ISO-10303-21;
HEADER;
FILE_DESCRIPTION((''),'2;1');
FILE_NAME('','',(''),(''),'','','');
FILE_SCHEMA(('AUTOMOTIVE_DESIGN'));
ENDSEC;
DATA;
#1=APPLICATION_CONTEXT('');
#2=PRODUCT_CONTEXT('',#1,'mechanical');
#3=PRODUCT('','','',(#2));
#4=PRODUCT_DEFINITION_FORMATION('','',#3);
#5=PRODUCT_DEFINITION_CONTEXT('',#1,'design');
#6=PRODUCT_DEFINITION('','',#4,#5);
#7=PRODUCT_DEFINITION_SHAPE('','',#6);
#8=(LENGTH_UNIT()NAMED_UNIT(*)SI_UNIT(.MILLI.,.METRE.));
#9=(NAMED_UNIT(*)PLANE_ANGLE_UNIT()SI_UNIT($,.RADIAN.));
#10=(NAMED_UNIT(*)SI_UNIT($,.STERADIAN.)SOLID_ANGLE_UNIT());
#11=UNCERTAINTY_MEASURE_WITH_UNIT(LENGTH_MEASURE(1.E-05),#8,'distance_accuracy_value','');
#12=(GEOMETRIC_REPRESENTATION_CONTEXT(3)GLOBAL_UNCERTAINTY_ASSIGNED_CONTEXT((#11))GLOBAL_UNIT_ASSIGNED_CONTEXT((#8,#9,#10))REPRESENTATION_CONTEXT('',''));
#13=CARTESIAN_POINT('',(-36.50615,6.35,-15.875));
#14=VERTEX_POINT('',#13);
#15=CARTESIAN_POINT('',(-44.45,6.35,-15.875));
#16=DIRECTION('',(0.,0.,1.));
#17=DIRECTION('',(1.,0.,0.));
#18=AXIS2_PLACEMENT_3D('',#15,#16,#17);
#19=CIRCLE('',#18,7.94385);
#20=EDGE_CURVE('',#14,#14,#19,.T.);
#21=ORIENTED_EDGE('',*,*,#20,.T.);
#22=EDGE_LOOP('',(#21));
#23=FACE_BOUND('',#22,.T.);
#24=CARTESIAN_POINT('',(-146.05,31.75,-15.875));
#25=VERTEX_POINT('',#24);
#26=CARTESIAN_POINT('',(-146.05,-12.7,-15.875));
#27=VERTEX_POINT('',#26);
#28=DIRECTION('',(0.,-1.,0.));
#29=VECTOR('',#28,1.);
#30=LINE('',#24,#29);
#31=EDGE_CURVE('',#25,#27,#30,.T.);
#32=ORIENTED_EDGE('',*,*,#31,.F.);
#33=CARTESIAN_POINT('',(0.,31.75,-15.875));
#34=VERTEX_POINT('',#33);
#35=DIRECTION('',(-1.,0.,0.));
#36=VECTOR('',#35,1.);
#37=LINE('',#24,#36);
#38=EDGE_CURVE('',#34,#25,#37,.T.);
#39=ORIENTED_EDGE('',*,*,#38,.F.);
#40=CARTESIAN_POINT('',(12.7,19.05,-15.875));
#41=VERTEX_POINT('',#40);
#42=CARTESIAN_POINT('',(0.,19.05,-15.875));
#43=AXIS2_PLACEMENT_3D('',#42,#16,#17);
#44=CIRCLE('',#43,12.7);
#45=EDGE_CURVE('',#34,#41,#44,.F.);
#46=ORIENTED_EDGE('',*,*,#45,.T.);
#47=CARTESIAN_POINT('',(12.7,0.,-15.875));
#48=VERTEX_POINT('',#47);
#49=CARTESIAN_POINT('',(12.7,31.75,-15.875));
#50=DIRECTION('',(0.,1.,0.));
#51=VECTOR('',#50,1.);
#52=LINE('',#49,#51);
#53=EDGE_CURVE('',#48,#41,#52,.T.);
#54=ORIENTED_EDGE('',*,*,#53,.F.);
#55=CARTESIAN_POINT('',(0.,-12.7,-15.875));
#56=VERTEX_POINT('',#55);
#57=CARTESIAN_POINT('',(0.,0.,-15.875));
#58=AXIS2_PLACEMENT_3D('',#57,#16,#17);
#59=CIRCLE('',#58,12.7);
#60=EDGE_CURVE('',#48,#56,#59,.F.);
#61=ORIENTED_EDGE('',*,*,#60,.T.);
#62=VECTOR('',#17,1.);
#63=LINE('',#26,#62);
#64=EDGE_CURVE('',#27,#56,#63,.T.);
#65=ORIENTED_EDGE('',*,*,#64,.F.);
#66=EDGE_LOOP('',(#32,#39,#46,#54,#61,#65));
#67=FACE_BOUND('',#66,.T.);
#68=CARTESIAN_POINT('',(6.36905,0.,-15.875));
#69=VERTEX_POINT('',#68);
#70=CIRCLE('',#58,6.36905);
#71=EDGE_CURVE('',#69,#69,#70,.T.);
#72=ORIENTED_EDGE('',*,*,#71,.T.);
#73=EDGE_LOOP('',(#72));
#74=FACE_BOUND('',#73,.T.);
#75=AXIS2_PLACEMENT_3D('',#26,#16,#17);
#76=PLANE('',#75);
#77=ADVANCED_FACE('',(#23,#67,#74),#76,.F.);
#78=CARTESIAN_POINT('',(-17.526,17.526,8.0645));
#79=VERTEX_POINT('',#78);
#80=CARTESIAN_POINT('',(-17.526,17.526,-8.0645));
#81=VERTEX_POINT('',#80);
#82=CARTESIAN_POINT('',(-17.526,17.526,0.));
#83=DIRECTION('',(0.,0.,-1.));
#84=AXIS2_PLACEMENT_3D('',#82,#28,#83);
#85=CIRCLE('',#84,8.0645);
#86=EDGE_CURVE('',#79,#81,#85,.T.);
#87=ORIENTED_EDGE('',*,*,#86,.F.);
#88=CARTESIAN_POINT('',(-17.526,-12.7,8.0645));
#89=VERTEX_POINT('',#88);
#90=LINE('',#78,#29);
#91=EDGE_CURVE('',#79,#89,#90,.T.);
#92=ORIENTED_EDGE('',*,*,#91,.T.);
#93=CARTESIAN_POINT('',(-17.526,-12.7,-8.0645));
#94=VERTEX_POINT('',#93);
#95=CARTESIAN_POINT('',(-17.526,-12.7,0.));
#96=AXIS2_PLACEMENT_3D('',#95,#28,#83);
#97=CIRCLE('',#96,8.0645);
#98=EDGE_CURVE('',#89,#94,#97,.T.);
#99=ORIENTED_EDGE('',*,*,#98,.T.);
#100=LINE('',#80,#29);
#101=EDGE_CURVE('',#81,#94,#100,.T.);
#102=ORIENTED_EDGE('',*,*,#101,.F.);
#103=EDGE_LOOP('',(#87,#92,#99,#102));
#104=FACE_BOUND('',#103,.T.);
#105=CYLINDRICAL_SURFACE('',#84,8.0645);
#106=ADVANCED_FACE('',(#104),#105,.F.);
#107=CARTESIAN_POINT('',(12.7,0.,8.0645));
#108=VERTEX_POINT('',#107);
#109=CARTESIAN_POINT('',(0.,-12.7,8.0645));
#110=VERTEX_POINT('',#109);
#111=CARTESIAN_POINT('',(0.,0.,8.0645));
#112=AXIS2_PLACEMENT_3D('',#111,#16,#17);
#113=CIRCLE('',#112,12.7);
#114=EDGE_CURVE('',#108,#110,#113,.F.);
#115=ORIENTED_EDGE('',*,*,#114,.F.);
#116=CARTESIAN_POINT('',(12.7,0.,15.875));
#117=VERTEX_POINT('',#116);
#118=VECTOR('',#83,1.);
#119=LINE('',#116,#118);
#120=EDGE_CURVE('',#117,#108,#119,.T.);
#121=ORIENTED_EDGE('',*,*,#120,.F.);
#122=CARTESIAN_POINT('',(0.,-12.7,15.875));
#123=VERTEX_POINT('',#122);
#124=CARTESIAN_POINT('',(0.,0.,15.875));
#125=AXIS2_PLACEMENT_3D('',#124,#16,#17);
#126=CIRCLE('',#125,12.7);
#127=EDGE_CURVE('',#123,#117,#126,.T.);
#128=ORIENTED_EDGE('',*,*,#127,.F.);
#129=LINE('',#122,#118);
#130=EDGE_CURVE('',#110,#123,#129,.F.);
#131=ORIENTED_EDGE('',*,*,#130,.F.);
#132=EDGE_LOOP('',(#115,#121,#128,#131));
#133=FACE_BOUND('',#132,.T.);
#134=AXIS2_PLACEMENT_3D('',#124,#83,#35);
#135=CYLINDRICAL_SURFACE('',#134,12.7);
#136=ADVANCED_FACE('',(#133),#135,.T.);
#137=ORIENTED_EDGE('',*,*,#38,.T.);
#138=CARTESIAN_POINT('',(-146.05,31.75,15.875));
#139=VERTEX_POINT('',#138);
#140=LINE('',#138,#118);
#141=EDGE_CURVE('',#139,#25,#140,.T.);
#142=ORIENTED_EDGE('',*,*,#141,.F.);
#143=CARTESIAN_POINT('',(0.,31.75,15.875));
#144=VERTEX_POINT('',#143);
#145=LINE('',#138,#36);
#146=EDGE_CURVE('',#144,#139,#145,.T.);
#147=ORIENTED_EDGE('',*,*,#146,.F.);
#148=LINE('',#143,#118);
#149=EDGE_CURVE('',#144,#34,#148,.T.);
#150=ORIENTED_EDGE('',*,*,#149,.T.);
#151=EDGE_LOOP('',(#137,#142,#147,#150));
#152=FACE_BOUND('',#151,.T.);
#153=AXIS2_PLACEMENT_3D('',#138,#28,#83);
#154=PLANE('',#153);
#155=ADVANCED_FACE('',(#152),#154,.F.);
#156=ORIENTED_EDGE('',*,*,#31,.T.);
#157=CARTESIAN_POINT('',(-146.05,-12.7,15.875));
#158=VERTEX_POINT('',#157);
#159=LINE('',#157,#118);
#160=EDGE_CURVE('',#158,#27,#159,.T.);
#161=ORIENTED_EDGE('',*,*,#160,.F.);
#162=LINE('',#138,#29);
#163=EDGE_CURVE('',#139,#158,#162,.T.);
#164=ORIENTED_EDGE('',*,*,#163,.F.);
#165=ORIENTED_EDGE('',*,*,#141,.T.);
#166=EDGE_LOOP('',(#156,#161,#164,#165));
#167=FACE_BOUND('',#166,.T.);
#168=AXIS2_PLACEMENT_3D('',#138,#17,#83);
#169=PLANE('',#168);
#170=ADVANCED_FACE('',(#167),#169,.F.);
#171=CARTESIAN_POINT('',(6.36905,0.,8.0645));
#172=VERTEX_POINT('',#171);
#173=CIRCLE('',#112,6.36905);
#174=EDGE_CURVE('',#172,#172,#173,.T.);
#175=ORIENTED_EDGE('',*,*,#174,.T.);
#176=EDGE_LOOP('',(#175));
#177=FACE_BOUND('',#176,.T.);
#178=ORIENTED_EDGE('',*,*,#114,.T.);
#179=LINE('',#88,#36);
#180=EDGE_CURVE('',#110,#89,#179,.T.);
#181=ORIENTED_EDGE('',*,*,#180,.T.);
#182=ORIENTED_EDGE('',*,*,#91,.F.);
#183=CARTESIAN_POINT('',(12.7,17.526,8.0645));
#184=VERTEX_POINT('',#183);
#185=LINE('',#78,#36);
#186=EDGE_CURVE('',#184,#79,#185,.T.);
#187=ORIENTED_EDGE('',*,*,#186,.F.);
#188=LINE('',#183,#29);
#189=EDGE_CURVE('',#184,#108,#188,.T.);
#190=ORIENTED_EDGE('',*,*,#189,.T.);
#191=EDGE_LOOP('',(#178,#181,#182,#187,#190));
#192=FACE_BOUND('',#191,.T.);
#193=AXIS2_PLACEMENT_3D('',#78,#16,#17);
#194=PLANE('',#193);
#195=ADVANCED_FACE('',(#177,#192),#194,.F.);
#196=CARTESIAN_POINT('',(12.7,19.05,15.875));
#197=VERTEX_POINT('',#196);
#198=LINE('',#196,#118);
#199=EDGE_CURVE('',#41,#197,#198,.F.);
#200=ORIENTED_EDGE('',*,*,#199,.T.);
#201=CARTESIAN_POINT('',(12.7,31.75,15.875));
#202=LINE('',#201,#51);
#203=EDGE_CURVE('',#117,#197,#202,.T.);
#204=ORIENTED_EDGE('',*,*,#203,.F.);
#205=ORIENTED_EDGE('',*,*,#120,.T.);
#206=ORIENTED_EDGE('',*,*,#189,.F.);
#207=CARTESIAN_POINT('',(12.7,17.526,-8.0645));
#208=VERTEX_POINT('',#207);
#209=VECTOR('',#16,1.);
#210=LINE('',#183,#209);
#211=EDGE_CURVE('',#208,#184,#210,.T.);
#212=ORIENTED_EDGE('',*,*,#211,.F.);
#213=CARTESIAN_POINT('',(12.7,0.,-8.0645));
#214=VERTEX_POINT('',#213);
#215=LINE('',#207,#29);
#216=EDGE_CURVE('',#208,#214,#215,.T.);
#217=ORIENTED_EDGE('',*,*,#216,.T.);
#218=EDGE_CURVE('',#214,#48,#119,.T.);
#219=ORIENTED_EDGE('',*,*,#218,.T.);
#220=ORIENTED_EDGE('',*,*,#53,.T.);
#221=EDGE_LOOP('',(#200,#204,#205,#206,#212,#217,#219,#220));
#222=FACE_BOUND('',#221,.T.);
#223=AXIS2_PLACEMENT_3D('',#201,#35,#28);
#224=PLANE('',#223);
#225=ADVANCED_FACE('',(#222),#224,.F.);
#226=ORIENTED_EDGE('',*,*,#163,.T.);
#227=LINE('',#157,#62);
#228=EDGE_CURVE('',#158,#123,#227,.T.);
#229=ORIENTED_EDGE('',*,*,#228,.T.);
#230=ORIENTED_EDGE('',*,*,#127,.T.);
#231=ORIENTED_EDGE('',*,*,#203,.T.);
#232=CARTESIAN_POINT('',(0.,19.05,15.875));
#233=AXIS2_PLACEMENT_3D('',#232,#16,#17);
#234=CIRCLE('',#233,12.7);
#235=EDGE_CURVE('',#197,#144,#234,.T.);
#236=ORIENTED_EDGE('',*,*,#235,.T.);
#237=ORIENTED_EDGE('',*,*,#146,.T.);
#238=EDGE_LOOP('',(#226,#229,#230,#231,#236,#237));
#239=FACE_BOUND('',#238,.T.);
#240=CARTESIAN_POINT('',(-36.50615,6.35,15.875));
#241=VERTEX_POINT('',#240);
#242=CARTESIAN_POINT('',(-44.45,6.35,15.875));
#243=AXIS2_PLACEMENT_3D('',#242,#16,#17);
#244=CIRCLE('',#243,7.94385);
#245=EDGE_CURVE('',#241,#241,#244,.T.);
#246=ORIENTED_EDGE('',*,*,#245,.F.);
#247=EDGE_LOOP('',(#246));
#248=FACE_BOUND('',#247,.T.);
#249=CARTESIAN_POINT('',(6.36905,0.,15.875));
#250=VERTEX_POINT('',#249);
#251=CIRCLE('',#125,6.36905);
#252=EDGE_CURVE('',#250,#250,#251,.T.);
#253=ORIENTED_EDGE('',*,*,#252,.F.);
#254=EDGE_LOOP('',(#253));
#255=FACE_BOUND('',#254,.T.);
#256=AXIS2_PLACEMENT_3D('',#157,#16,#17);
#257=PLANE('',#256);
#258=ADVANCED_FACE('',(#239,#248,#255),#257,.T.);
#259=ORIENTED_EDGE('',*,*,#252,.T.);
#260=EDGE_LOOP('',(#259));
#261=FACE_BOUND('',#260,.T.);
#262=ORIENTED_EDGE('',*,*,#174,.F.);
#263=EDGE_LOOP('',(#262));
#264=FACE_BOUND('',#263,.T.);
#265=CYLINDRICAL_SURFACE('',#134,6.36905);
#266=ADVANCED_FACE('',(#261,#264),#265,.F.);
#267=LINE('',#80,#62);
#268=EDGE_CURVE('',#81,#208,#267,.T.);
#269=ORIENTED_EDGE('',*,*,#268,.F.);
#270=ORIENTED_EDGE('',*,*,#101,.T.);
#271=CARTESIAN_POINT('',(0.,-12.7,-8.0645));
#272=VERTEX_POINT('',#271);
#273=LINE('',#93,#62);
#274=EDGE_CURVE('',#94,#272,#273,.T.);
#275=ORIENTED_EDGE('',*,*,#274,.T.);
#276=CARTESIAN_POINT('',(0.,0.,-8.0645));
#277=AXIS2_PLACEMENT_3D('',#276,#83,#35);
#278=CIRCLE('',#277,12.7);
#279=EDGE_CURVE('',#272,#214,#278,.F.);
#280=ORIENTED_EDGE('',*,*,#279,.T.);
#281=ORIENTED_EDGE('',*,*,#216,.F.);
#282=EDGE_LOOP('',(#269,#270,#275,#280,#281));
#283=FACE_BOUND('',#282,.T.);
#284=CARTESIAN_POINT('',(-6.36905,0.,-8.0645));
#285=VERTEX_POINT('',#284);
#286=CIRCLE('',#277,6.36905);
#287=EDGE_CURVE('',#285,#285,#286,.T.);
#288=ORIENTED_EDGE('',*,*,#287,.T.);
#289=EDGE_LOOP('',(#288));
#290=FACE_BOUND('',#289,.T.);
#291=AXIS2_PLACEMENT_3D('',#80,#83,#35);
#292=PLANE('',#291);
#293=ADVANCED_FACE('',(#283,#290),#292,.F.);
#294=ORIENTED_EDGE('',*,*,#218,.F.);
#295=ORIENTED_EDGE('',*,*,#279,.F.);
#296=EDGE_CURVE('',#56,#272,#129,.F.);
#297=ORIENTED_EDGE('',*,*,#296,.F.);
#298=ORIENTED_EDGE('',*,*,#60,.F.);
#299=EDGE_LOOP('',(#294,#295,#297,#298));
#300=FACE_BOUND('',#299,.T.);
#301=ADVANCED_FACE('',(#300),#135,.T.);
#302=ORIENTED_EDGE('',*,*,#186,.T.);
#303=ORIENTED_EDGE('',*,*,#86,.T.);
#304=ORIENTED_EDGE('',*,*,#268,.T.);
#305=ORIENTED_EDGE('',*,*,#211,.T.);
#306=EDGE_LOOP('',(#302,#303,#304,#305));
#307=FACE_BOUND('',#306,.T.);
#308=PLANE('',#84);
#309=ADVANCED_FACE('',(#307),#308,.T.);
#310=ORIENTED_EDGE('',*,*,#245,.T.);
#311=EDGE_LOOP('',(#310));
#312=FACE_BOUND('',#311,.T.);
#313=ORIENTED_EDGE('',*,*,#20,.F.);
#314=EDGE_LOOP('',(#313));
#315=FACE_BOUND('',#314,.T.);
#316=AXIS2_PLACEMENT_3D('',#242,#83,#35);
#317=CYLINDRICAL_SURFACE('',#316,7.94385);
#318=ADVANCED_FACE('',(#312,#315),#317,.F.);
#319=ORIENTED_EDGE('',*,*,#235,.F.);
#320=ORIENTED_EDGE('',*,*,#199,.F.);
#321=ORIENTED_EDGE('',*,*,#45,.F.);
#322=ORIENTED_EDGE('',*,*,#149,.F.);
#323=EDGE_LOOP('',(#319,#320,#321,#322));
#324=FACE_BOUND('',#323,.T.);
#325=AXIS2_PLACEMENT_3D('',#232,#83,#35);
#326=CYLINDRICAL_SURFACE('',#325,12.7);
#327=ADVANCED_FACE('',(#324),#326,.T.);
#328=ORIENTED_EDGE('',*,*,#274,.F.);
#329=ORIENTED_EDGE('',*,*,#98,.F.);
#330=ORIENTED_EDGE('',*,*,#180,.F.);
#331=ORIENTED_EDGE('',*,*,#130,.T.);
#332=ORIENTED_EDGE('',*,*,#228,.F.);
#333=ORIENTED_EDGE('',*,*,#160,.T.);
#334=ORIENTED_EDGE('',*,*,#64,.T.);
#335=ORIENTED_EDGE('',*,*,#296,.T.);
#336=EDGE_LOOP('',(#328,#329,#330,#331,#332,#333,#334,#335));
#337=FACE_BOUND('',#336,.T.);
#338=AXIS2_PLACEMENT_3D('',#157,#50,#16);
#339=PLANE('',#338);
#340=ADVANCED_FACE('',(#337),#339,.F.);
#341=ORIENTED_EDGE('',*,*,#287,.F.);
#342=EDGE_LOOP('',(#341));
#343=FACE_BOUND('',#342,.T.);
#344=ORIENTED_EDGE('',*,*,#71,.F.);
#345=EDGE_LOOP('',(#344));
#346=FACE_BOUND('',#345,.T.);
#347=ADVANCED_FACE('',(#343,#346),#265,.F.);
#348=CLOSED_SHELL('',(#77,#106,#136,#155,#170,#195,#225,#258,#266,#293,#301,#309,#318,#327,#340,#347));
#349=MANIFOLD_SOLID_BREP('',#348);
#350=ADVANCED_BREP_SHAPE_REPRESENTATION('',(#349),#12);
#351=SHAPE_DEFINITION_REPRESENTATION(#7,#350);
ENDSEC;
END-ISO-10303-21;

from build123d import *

# Parameters (mm, degrees)
SKETCH11_W         = 158.75
SKETCH11_H         = 44.45
SKETCH11_R         = 6.36905
SKETCH11_R_2       = 7.94385
EXTRUDE3_DEPTH     = 15.875
CUT_EXTRUDE1_DEPTH = 30.226
FILLET1_R          = 12.7


with BuildPart() as part:
    # Sketch11 → Extrude3 (new body, symmetric)
    with BuildSketch(Plane.XY):
        with Locations((-66.675, 9.525)):
            Rectangle(SKETCH11_W, SKETCH11_H)
        Circle(SKETCH11_R, mode=Mode.SUBTRACT)
        with Locations((-44.45, 6.35)):
            Circle(SKETCH11_R_2, mode=Mode.SUBTRACT)
    extrude(amount=EXTRUDE3_DEPTH, both=True)

    # Sketch12 → Cut-Extrude1 (cut)
    with BuildSketch(Plane.XZ.offset(12.7)):
        with BuildLine():
            Line((-17.526, 8.0645), (12.7, 8.0645))
            Line((12.7, 8.0645), (12.7, -8.0645))
            Line((12.7, -8.0645), (-17.526, -8.0645))
            ThreePointArc((-17.526, -8.0645), (-25.5905, 0), (-17.526, 8.0645))
        make_face()
    extrude(amount=-CUT_EXTRUDE1_DEPTH, mode=Mode.SUBTRACT)

    # Fillet1
    fillet1_edges = [part.edges().sort_by_distance(p)[0] for p in [
        (12.7, -12.7, -11.96975),
        (12.7, 31.75, 0),
        (12.7, -12.7, 11.96975),
    ]]
    fillet(fillet1_edges, radius=FILLET1_R)


solid = part.part
